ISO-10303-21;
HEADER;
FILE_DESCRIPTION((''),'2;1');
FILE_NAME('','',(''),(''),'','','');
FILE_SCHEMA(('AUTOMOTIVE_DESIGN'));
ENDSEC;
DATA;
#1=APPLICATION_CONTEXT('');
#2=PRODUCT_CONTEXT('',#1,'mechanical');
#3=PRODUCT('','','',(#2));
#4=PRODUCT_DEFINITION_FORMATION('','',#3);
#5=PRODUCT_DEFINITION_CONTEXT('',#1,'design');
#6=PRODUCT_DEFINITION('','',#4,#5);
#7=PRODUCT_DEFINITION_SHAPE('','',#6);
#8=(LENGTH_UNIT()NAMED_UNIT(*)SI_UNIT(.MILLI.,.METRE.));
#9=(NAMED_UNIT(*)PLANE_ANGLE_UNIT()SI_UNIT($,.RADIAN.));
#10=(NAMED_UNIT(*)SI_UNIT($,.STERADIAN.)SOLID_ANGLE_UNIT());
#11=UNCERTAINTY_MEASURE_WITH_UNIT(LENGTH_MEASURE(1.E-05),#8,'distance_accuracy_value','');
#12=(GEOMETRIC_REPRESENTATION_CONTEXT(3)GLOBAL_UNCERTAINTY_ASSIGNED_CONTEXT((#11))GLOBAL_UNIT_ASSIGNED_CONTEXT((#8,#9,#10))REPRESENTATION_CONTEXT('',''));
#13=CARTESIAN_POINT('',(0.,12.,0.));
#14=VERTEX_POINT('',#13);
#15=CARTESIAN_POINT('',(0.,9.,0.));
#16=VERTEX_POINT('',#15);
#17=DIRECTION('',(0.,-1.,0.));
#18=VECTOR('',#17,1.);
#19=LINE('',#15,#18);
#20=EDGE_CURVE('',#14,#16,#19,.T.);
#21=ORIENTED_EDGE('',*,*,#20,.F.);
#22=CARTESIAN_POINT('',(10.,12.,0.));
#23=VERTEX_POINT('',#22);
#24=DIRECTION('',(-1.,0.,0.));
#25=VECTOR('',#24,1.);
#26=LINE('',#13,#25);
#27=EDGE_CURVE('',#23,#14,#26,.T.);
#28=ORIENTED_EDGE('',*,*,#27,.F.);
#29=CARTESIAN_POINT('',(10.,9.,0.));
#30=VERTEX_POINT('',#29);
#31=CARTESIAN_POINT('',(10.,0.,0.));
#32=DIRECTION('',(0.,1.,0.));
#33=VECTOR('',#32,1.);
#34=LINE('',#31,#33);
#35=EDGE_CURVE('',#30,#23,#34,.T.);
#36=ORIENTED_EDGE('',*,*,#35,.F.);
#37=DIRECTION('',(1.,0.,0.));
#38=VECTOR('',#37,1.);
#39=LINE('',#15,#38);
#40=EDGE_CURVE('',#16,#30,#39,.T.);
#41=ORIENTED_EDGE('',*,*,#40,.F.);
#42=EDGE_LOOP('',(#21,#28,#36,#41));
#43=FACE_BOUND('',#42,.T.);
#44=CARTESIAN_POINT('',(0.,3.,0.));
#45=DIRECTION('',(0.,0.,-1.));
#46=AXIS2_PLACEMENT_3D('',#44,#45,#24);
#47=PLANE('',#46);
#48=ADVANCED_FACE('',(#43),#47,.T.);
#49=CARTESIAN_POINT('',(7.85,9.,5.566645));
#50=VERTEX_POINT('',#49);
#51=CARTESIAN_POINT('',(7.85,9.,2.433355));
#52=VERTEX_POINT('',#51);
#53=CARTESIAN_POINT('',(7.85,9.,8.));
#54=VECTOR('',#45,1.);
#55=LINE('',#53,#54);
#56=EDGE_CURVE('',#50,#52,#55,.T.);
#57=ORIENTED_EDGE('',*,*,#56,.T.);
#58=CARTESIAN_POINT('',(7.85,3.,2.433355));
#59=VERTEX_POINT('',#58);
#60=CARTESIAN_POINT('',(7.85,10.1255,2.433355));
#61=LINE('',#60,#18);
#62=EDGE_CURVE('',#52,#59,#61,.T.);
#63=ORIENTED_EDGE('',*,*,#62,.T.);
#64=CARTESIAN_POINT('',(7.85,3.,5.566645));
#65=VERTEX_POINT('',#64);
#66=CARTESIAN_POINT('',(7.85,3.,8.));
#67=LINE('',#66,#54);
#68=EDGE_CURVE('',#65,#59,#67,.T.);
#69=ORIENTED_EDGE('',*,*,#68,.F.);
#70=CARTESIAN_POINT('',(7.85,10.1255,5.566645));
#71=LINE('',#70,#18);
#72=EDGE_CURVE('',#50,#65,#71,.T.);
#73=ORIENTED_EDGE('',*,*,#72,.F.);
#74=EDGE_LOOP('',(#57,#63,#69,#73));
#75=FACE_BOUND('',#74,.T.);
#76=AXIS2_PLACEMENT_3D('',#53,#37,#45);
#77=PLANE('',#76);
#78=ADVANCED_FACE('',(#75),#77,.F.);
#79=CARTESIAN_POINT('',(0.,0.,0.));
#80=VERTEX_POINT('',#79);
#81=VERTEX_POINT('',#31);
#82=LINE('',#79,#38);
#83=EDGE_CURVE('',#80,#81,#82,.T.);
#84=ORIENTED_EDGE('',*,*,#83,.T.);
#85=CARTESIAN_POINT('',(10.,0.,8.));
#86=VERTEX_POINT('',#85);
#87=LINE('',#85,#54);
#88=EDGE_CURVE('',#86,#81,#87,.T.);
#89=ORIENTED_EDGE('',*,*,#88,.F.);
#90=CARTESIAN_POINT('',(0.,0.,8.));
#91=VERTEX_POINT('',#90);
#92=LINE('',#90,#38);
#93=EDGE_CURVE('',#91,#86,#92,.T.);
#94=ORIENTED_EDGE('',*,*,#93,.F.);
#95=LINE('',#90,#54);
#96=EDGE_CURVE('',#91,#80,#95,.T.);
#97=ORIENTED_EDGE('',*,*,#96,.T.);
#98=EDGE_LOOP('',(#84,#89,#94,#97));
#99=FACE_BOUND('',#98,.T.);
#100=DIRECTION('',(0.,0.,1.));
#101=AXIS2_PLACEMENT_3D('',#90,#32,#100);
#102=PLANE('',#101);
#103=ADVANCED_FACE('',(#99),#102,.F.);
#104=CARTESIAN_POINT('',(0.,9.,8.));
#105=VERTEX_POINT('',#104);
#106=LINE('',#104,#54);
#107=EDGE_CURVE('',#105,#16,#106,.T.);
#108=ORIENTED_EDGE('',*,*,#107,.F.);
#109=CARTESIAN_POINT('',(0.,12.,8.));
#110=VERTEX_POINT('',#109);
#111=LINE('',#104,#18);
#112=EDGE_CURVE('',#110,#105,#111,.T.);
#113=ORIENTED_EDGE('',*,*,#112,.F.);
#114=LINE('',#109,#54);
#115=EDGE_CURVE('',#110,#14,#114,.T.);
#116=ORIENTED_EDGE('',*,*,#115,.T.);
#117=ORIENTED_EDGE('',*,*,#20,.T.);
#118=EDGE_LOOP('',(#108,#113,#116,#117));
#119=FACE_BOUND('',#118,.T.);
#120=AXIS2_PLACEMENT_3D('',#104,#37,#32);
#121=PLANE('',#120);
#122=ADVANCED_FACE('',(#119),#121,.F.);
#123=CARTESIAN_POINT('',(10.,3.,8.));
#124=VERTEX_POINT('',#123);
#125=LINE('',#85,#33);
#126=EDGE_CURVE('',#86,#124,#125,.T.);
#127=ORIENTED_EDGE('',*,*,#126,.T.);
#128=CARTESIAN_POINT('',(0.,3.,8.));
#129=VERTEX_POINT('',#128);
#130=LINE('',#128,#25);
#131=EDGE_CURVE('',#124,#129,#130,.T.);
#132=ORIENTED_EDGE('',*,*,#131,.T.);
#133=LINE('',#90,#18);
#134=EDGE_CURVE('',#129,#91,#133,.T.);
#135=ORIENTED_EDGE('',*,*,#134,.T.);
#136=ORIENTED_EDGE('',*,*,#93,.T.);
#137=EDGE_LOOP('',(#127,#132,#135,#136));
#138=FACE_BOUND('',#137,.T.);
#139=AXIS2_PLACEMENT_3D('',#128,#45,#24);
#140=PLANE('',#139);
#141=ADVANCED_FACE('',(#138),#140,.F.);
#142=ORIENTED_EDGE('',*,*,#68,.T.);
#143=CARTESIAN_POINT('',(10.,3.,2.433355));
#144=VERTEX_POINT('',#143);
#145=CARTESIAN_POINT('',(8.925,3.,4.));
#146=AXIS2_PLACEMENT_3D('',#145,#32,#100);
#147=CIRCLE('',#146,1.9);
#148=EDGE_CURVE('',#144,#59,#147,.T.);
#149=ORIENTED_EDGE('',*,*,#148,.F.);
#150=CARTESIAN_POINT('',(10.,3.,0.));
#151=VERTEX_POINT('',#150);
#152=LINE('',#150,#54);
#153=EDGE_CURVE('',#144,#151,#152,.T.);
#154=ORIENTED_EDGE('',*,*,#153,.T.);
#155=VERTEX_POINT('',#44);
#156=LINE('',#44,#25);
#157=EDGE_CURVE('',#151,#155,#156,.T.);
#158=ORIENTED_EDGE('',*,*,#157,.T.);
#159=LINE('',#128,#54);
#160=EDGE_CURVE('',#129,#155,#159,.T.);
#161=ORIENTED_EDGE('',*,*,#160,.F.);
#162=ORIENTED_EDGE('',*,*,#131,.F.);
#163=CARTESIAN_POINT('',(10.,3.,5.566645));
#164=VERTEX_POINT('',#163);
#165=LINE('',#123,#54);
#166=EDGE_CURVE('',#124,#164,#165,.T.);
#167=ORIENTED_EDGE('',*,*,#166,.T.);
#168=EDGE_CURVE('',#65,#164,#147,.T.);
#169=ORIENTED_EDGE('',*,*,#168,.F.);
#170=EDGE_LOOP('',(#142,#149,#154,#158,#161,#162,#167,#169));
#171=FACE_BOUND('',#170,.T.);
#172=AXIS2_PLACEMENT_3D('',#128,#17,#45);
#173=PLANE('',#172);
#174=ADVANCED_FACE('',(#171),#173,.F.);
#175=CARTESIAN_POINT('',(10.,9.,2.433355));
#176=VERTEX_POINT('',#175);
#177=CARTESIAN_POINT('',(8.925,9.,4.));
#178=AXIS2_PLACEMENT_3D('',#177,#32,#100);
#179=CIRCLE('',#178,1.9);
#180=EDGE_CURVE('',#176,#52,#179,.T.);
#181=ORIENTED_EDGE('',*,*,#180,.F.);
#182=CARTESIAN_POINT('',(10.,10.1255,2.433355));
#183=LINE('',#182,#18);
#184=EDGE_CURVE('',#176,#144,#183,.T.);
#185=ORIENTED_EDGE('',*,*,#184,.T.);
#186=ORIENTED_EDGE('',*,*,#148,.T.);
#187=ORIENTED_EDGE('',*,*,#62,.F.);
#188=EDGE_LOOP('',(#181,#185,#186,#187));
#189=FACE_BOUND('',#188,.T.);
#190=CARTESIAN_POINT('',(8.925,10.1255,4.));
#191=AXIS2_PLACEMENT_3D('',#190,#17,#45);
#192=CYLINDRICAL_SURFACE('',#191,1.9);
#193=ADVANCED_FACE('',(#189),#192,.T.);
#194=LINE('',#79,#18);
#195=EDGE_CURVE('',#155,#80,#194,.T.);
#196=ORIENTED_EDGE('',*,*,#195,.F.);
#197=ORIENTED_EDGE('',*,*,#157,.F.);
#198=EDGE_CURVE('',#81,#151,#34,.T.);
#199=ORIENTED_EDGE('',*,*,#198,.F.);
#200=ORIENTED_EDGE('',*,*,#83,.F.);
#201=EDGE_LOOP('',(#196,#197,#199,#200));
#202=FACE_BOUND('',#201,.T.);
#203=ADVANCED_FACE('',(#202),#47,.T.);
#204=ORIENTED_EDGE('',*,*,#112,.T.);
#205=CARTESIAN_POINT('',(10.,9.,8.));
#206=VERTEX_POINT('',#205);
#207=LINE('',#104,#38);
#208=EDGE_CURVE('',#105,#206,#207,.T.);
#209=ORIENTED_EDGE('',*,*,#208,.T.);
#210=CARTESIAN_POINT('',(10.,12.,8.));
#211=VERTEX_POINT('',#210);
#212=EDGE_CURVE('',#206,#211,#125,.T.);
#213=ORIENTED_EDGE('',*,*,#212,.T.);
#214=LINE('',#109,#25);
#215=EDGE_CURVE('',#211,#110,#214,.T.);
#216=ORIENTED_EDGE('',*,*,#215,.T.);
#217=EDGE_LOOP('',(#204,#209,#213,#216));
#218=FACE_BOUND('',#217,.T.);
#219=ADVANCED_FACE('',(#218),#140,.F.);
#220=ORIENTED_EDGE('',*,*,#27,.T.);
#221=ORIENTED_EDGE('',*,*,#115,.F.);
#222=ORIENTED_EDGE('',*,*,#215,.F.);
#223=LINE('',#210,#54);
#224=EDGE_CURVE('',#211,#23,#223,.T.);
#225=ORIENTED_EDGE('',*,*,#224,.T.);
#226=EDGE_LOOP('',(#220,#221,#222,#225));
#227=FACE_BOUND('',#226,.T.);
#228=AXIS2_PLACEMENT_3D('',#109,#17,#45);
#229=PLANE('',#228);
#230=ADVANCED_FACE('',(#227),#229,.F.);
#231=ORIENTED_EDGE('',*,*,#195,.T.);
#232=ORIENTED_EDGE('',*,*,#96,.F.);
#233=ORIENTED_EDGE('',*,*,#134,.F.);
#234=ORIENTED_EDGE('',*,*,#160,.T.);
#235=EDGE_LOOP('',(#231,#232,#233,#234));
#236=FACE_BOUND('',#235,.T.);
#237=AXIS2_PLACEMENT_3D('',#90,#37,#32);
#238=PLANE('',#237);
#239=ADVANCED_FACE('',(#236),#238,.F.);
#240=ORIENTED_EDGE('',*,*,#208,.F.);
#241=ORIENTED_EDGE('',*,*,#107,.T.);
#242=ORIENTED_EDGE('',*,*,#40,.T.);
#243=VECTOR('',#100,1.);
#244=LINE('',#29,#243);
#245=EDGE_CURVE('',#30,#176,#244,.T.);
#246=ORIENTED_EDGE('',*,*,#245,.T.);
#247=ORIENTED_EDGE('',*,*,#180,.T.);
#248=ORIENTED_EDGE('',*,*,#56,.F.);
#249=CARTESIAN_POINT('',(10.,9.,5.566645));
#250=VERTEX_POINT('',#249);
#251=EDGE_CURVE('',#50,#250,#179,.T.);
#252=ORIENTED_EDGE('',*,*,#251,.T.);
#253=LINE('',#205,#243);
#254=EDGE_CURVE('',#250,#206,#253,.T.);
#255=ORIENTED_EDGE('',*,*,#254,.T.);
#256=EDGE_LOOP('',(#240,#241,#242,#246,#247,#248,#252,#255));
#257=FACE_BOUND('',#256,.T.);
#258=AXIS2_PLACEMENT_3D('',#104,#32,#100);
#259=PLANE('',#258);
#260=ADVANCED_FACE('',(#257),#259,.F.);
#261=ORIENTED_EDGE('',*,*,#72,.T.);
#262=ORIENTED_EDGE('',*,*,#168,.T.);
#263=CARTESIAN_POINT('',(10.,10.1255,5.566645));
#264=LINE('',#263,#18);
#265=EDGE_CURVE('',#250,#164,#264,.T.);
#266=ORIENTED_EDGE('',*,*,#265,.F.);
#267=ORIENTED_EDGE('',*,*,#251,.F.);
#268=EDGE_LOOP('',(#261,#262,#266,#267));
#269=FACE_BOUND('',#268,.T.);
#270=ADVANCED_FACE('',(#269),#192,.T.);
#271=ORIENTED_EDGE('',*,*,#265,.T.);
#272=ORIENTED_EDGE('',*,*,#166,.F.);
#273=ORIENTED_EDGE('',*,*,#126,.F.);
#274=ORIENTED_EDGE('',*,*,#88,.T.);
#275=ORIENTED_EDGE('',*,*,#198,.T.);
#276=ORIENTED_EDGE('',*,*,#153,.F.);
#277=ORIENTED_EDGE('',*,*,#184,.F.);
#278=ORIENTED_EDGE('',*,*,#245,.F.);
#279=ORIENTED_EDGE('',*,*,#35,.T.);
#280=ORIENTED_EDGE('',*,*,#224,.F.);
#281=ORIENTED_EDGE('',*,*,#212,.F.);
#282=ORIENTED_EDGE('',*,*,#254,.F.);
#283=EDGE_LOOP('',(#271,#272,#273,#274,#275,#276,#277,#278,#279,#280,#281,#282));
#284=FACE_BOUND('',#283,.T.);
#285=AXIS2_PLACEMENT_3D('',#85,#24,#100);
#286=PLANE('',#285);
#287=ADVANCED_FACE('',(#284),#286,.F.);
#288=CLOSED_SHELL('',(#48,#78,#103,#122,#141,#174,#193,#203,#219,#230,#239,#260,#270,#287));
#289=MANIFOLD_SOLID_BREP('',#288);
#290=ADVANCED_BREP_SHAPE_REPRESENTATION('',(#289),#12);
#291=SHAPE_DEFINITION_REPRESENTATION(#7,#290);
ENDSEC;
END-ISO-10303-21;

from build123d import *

# Parameters (mm, degrees)
BOSS_EXTRUDE1_DEPTH = 8
SKETCH2_W           = 2.1
SKETCH2_H           = 6
CUT_EXTRUDE1_DEPTH  = 8
CUT_EXTRUDE2_DEPTH  = 6


with BuildPart() as part:
    # Sketch1 → Boss-Extrude1 (new body)
    with BuildSketch(Plane.XY):
        Polygon((0, 9), (0, 12), (10, 12), (10, 0), (0, 0), (0, 3), (7.85, 3), (7.85, 9), align=None)
    extrude(amount=BOSS_EXTRUDE1_DEPTH)

    # Sketch2 → Cut-Extrude1 (cut)
    with BuildSketch(Plane(origin=(10, 0, 0), x_dir=(0, 0, -1), z_dir=(1, 0, 0))):
        with Locations((-6.95, 6)):
            Rectangle(SKETCH2_W, SKETCH2_H)
        with Locations((-1.05, 6)):
            Rectangle(SKETCH2_W, SKETCH2_H)
    extrude(amount=-CUT_EXTRUDE1_DEPTH, mode=Mode.SUBTRACT)

    # Sketch3 → Cut-Extrude2 (cut)
    with BuildSketch(Plane(origin=(0, 3, 0), x_dir=(1, 0, 0), z_dir=(0, 1, 0))):
        with BuildLine():
            Line((10, -2.1), (8.925, -2.1))
            ThreePointArc((8.925, -2.1), (9.487750142, -2.185251456), (10, -2.433355497))
            Line((10, -2.433355497), (10, -2.1))
        make_face()
        with BuildLine():
            Line((8.925, -2.1), (7.85, -2.1))
            Line((7.85, -2.1), (7.85, -2.433355497))
            ThreePointArc((7.85, -2.433355497), (8.362249858, -2.185251456), (8.925, -2.1))
        make_face()
        with BuildLine():
            Line((7.85, -5.566644503), (7.85, -5.9))
            Line((7.85, -5.9), (8.925, -5.9))
            ThreePointArc((8.925, -5.9), (8.362249858, -5.814748544), (7.85, -5.566644503))
        make_face()
        with BuildLine():
            ThreePointArc((10, -5.566644503), (9.487750142, -5.814748544), (8.925, -5.9))
            Line((8.925, -5.9), (10, -5.9))
            Line((10, -5.9), (10, -5.566644503))
        make_face()
    extrude(amount=CUT_EXTRUDE2_DEPTH, mode=Mode.SUBTRACT)


solid = part.part
